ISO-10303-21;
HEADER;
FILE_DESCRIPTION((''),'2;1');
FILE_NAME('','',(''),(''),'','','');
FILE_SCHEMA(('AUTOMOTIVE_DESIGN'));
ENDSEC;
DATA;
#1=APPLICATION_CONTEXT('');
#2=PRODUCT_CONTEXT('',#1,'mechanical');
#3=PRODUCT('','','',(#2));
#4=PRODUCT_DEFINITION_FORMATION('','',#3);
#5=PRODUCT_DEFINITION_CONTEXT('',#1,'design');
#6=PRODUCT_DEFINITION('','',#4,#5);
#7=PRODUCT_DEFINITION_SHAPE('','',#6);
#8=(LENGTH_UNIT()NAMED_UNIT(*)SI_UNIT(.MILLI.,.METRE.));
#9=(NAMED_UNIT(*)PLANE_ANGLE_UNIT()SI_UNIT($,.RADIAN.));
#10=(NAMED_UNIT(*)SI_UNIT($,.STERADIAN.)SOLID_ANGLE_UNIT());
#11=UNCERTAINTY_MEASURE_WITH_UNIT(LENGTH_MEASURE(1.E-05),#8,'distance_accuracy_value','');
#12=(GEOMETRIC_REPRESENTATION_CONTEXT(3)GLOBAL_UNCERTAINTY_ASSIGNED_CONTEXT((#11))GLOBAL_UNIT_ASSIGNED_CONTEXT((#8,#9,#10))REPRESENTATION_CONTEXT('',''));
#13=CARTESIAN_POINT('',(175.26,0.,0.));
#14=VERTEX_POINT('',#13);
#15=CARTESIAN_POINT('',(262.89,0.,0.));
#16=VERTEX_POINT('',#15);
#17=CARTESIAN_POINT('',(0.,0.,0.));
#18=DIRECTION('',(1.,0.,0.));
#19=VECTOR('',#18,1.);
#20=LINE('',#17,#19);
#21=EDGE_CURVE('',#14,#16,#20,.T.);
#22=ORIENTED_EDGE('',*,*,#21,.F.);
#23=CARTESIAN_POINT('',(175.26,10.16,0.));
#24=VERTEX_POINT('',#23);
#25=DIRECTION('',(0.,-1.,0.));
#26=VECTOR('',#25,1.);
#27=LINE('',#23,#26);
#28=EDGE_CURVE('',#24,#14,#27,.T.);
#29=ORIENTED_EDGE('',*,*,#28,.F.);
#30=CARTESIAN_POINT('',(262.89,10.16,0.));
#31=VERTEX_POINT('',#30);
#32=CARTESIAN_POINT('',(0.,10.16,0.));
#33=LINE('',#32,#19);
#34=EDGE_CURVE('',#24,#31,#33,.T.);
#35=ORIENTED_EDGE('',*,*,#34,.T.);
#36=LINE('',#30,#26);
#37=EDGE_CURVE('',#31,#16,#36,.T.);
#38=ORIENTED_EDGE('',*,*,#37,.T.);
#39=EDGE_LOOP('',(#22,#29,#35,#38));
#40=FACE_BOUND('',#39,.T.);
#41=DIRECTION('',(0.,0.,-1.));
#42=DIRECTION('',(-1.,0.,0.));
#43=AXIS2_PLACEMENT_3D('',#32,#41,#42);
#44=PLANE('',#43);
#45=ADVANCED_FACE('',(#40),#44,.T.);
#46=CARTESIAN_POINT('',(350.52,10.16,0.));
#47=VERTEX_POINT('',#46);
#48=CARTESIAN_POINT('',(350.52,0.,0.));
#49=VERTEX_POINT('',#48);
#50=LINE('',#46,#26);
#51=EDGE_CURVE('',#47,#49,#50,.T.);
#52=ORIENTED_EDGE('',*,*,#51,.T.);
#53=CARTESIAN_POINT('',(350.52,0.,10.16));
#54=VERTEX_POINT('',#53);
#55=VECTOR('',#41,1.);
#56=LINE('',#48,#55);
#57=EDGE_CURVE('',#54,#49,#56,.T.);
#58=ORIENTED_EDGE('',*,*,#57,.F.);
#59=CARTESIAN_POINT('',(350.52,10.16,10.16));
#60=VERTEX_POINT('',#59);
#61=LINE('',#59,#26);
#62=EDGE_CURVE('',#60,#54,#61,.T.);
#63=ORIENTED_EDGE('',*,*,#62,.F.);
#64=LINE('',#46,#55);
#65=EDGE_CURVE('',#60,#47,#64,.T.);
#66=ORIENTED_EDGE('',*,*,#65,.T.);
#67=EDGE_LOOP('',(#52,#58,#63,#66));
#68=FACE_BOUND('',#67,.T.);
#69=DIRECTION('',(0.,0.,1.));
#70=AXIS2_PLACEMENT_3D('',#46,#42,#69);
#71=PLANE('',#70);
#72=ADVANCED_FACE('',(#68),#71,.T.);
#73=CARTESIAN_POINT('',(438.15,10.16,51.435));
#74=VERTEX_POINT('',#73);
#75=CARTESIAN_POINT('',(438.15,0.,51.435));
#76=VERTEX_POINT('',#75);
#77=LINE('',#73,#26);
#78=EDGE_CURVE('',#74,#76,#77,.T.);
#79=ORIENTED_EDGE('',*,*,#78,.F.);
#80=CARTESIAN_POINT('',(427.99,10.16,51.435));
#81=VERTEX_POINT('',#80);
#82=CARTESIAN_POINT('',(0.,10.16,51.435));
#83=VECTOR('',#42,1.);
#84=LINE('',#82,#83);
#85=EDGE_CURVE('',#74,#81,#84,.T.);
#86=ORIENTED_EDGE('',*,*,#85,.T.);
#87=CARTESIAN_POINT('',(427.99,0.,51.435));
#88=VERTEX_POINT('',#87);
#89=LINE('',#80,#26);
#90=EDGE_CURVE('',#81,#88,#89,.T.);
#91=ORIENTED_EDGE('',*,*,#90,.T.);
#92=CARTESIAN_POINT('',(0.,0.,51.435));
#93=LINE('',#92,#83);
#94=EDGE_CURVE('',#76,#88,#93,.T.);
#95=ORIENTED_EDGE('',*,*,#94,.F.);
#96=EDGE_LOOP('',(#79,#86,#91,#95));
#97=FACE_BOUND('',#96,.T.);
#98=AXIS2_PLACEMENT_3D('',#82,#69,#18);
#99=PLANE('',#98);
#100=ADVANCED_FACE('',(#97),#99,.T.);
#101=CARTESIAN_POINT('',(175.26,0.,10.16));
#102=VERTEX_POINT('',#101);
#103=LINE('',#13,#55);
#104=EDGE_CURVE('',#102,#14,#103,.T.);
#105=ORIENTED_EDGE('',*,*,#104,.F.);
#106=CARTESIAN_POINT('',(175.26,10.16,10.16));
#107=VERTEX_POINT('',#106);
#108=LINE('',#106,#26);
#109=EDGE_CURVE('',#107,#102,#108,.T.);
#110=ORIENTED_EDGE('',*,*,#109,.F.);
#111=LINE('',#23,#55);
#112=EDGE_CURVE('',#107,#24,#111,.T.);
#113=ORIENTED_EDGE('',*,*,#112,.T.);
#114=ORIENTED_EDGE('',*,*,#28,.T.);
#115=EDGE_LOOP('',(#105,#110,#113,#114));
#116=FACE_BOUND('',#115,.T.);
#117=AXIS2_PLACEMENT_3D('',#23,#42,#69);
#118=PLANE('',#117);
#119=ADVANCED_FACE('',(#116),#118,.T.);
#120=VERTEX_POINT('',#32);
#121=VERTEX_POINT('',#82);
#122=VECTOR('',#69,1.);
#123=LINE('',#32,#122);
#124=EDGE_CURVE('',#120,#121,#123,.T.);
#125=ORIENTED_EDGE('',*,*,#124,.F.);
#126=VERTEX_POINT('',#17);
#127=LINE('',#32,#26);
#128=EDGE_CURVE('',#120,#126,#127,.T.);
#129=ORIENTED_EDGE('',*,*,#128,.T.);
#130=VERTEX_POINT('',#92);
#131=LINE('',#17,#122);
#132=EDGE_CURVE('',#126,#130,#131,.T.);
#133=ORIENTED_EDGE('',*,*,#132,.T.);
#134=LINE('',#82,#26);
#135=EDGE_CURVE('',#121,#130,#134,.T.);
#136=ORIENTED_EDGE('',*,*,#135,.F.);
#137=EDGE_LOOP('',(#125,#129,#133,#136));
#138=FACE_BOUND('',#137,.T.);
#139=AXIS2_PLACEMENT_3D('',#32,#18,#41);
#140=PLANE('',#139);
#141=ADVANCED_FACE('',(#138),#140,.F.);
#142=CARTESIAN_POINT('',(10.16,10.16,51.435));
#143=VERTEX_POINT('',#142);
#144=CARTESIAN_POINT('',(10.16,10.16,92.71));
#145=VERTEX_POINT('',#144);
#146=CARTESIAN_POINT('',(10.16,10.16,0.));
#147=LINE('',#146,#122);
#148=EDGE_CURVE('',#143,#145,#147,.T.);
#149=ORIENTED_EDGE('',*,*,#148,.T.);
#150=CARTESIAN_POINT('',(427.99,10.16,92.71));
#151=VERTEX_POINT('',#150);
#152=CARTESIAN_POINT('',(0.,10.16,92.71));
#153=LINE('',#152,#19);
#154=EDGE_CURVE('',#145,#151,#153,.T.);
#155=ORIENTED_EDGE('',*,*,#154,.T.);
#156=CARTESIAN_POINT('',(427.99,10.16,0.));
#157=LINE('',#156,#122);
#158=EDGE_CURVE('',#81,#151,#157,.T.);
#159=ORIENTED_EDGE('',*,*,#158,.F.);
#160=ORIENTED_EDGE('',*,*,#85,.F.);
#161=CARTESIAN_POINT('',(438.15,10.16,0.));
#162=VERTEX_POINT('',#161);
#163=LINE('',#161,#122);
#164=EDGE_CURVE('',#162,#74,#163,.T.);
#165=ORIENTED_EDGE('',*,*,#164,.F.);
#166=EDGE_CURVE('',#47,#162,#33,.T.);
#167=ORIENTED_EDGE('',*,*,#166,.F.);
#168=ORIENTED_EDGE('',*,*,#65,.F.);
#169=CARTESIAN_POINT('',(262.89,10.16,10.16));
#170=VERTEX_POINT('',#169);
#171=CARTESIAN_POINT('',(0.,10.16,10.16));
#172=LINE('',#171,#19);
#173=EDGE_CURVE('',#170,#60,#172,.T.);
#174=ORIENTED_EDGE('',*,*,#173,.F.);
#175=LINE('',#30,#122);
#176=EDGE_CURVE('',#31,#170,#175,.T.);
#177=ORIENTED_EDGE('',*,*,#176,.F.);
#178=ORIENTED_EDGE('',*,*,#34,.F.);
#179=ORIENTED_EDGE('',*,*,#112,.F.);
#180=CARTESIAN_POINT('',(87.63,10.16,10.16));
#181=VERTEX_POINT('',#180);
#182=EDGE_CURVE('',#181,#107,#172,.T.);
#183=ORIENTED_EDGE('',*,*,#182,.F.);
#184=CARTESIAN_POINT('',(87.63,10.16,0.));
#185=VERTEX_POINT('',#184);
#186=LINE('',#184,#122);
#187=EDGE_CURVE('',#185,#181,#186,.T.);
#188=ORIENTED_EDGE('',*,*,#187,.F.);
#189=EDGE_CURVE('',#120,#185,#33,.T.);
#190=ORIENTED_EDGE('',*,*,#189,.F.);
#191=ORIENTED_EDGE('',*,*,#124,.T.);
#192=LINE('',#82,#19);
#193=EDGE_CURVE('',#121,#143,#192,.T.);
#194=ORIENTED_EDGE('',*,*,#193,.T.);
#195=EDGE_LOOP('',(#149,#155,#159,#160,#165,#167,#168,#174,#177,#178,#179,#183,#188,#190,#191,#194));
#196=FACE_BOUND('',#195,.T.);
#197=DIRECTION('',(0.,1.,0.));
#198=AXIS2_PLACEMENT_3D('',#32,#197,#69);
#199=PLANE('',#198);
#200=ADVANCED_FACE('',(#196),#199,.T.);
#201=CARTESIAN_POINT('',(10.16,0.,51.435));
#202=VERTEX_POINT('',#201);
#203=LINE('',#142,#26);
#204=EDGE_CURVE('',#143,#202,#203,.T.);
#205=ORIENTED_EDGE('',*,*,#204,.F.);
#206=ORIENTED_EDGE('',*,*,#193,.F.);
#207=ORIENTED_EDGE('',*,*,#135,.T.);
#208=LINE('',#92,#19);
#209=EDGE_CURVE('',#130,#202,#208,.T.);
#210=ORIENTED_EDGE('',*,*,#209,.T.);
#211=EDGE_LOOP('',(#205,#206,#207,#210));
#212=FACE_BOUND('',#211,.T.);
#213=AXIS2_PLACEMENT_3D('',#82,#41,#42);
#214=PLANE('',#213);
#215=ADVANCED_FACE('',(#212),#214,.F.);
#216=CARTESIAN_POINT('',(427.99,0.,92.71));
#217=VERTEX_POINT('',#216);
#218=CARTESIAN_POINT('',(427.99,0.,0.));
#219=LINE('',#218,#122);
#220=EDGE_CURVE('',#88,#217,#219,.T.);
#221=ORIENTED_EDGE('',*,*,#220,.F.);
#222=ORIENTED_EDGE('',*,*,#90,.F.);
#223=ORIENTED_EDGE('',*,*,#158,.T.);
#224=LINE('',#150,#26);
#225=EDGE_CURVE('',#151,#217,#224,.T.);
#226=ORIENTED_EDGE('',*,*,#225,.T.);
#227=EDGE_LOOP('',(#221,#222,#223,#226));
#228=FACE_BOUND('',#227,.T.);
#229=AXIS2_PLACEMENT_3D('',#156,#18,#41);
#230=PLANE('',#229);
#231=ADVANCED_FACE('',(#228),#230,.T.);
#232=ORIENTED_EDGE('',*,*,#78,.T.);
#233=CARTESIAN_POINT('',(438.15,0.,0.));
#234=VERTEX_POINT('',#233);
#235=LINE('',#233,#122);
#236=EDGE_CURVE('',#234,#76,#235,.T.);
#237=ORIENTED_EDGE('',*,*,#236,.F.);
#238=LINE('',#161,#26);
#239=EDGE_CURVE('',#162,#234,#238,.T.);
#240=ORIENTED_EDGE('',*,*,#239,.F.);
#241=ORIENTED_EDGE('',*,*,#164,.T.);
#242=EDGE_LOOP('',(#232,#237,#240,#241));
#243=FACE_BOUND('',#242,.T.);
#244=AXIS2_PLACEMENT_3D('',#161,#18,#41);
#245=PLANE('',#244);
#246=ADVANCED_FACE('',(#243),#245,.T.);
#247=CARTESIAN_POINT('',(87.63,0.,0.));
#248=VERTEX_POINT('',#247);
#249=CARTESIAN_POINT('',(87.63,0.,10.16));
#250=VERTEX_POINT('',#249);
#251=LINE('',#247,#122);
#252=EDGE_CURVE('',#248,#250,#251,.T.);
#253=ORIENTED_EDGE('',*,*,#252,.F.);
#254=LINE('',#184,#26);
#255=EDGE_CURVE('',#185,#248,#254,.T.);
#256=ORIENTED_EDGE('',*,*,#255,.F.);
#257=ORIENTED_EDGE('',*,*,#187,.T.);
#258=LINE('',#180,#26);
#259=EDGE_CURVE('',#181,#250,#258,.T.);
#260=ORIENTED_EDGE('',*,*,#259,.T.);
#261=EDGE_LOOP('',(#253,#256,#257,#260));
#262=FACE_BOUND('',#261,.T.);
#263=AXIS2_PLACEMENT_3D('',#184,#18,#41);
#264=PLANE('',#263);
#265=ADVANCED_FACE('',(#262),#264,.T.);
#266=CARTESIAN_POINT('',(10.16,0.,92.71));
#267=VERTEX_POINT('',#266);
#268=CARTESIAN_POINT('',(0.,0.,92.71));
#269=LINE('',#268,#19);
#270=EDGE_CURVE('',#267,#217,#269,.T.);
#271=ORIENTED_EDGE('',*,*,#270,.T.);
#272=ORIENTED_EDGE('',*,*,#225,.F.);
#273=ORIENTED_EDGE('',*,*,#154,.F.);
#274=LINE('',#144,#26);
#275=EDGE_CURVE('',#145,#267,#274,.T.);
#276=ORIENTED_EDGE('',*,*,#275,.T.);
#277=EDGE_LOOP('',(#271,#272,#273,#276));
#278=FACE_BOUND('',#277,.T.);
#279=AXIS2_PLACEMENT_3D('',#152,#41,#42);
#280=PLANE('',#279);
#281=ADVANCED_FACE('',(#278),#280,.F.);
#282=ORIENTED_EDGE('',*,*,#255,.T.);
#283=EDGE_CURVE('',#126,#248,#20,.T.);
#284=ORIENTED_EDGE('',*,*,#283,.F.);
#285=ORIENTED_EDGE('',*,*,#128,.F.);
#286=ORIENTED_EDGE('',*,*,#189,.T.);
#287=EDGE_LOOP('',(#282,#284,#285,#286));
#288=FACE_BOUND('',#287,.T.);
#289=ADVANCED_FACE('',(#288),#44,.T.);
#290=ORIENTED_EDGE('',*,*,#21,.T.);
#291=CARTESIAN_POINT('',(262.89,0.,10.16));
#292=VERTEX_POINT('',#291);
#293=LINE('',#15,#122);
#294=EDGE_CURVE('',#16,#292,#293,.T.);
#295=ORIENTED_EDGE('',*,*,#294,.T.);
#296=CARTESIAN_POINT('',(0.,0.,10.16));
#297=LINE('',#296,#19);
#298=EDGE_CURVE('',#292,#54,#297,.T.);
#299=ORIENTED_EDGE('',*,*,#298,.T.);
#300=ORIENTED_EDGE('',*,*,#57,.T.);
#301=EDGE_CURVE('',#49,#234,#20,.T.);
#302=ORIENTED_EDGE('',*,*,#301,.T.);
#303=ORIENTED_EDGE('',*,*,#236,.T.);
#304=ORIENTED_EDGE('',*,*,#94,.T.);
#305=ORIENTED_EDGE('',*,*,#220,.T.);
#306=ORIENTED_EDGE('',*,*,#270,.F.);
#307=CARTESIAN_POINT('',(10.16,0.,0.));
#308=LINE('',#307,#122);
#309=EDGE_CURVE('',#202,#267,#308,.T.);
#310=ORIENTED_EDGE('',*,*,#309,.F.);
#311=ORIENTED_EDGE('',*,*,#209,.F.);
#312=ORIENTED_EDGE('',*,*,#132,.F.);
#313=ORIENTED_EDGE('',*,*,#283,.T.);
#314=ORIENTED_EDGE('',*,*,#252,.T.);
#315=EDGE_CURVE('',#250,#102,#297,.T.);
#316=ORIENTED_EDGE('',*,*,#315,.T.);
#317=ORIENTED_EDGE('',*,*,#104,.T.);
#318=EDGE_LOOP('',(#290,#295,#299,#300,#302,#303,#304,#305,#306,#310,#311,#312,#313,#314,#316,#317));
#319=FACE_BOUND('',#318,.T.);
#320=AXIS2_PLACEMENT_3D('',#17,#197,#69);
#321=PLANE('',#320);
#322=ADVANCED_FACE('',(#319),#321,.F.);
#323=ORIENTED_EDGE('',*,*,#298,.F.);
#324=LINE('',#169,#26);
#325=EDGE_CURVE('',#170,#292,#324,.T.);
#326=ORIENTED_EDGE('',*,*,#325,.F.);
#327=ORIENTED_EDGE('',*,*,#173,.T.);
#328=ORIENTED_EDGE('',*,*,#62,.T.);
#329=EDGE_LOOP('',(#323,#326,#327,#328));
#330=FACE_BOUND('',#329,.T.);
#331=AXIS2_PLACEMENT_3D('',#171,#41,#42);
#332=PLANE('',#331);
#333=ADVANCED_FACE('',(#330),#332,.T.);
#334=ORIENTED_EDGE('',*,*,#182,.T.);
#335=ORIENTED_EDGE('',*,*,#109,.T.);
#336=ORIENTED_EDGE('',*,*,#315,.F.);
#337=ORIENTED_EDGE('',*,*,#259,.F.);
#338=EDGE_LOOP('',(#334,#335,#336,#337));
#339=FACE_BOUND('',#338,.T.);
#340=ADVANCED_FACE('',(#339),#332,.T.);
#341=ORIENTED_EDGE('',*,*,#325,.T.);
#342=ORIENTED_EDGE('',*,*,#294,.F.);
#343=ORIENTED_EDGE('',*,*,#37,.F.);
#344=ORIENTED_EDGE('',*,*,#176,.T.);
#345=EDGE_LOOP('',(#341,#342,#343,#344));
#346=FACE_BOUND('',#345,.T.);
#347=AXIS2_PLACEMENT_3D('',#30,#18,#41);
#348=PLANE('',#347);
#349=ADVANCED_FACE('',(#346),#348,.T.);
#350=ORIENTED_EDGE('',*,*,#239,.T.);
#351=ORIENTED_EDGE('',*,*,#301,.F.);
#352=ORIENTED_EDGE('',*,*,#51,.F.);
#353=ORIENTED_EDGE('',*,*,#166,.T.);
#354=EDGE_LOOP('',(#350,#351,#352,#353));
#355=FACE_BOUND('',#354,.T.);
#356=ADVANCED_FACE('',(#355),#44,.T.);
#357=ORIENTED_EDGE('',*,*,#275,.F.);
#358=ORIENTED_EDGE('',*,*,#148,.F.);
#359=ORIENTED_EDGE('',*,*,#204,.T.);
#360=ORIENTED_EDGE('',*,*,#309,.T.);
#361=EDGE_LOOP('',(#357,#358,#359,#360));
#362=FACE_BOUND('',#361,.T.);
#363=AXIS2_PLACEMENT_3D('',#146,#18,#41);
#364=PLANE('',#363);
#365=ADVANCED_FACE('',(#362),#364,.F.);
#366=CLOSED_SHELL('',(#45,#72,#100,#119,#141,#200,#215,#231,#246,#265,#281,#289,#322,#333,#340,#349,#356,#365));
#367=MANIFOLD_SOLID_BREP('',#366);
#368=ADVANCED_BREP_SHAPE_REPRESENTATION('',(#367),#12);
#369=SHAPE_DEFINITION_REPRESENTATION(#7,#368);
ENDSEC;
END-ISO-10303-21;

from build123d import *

# Parameters (mm, degrees)
BOSS_EXTRUDE1_DEPTH = 10.16


with BuildPart() as part:
    # Sketch1 → Boss-Extrude1 (new body)
    with BuildSketch(Plane(origin=(0, 0, 0), x_dir=(1, 0, 0), z_dir=(0, 1, 0))):
        Polygon((87.63, 0), (0, 0), (0, -51.435), (10.16, -51.435), (10.16, -92.71), (427.99, -92.71), (427.99, -51.435), (438.15, -51.435), (438.15, 0), (350.52, 0), (350.52, -10.16), (262.89, -10.16), (262.89, 0), (175.26, 0), (175.26, -10.16), (87.63, -10.16), align=None)
    extrude(amount=BOSS_EXTRUDE1_DEPTH)


solid = part.part
